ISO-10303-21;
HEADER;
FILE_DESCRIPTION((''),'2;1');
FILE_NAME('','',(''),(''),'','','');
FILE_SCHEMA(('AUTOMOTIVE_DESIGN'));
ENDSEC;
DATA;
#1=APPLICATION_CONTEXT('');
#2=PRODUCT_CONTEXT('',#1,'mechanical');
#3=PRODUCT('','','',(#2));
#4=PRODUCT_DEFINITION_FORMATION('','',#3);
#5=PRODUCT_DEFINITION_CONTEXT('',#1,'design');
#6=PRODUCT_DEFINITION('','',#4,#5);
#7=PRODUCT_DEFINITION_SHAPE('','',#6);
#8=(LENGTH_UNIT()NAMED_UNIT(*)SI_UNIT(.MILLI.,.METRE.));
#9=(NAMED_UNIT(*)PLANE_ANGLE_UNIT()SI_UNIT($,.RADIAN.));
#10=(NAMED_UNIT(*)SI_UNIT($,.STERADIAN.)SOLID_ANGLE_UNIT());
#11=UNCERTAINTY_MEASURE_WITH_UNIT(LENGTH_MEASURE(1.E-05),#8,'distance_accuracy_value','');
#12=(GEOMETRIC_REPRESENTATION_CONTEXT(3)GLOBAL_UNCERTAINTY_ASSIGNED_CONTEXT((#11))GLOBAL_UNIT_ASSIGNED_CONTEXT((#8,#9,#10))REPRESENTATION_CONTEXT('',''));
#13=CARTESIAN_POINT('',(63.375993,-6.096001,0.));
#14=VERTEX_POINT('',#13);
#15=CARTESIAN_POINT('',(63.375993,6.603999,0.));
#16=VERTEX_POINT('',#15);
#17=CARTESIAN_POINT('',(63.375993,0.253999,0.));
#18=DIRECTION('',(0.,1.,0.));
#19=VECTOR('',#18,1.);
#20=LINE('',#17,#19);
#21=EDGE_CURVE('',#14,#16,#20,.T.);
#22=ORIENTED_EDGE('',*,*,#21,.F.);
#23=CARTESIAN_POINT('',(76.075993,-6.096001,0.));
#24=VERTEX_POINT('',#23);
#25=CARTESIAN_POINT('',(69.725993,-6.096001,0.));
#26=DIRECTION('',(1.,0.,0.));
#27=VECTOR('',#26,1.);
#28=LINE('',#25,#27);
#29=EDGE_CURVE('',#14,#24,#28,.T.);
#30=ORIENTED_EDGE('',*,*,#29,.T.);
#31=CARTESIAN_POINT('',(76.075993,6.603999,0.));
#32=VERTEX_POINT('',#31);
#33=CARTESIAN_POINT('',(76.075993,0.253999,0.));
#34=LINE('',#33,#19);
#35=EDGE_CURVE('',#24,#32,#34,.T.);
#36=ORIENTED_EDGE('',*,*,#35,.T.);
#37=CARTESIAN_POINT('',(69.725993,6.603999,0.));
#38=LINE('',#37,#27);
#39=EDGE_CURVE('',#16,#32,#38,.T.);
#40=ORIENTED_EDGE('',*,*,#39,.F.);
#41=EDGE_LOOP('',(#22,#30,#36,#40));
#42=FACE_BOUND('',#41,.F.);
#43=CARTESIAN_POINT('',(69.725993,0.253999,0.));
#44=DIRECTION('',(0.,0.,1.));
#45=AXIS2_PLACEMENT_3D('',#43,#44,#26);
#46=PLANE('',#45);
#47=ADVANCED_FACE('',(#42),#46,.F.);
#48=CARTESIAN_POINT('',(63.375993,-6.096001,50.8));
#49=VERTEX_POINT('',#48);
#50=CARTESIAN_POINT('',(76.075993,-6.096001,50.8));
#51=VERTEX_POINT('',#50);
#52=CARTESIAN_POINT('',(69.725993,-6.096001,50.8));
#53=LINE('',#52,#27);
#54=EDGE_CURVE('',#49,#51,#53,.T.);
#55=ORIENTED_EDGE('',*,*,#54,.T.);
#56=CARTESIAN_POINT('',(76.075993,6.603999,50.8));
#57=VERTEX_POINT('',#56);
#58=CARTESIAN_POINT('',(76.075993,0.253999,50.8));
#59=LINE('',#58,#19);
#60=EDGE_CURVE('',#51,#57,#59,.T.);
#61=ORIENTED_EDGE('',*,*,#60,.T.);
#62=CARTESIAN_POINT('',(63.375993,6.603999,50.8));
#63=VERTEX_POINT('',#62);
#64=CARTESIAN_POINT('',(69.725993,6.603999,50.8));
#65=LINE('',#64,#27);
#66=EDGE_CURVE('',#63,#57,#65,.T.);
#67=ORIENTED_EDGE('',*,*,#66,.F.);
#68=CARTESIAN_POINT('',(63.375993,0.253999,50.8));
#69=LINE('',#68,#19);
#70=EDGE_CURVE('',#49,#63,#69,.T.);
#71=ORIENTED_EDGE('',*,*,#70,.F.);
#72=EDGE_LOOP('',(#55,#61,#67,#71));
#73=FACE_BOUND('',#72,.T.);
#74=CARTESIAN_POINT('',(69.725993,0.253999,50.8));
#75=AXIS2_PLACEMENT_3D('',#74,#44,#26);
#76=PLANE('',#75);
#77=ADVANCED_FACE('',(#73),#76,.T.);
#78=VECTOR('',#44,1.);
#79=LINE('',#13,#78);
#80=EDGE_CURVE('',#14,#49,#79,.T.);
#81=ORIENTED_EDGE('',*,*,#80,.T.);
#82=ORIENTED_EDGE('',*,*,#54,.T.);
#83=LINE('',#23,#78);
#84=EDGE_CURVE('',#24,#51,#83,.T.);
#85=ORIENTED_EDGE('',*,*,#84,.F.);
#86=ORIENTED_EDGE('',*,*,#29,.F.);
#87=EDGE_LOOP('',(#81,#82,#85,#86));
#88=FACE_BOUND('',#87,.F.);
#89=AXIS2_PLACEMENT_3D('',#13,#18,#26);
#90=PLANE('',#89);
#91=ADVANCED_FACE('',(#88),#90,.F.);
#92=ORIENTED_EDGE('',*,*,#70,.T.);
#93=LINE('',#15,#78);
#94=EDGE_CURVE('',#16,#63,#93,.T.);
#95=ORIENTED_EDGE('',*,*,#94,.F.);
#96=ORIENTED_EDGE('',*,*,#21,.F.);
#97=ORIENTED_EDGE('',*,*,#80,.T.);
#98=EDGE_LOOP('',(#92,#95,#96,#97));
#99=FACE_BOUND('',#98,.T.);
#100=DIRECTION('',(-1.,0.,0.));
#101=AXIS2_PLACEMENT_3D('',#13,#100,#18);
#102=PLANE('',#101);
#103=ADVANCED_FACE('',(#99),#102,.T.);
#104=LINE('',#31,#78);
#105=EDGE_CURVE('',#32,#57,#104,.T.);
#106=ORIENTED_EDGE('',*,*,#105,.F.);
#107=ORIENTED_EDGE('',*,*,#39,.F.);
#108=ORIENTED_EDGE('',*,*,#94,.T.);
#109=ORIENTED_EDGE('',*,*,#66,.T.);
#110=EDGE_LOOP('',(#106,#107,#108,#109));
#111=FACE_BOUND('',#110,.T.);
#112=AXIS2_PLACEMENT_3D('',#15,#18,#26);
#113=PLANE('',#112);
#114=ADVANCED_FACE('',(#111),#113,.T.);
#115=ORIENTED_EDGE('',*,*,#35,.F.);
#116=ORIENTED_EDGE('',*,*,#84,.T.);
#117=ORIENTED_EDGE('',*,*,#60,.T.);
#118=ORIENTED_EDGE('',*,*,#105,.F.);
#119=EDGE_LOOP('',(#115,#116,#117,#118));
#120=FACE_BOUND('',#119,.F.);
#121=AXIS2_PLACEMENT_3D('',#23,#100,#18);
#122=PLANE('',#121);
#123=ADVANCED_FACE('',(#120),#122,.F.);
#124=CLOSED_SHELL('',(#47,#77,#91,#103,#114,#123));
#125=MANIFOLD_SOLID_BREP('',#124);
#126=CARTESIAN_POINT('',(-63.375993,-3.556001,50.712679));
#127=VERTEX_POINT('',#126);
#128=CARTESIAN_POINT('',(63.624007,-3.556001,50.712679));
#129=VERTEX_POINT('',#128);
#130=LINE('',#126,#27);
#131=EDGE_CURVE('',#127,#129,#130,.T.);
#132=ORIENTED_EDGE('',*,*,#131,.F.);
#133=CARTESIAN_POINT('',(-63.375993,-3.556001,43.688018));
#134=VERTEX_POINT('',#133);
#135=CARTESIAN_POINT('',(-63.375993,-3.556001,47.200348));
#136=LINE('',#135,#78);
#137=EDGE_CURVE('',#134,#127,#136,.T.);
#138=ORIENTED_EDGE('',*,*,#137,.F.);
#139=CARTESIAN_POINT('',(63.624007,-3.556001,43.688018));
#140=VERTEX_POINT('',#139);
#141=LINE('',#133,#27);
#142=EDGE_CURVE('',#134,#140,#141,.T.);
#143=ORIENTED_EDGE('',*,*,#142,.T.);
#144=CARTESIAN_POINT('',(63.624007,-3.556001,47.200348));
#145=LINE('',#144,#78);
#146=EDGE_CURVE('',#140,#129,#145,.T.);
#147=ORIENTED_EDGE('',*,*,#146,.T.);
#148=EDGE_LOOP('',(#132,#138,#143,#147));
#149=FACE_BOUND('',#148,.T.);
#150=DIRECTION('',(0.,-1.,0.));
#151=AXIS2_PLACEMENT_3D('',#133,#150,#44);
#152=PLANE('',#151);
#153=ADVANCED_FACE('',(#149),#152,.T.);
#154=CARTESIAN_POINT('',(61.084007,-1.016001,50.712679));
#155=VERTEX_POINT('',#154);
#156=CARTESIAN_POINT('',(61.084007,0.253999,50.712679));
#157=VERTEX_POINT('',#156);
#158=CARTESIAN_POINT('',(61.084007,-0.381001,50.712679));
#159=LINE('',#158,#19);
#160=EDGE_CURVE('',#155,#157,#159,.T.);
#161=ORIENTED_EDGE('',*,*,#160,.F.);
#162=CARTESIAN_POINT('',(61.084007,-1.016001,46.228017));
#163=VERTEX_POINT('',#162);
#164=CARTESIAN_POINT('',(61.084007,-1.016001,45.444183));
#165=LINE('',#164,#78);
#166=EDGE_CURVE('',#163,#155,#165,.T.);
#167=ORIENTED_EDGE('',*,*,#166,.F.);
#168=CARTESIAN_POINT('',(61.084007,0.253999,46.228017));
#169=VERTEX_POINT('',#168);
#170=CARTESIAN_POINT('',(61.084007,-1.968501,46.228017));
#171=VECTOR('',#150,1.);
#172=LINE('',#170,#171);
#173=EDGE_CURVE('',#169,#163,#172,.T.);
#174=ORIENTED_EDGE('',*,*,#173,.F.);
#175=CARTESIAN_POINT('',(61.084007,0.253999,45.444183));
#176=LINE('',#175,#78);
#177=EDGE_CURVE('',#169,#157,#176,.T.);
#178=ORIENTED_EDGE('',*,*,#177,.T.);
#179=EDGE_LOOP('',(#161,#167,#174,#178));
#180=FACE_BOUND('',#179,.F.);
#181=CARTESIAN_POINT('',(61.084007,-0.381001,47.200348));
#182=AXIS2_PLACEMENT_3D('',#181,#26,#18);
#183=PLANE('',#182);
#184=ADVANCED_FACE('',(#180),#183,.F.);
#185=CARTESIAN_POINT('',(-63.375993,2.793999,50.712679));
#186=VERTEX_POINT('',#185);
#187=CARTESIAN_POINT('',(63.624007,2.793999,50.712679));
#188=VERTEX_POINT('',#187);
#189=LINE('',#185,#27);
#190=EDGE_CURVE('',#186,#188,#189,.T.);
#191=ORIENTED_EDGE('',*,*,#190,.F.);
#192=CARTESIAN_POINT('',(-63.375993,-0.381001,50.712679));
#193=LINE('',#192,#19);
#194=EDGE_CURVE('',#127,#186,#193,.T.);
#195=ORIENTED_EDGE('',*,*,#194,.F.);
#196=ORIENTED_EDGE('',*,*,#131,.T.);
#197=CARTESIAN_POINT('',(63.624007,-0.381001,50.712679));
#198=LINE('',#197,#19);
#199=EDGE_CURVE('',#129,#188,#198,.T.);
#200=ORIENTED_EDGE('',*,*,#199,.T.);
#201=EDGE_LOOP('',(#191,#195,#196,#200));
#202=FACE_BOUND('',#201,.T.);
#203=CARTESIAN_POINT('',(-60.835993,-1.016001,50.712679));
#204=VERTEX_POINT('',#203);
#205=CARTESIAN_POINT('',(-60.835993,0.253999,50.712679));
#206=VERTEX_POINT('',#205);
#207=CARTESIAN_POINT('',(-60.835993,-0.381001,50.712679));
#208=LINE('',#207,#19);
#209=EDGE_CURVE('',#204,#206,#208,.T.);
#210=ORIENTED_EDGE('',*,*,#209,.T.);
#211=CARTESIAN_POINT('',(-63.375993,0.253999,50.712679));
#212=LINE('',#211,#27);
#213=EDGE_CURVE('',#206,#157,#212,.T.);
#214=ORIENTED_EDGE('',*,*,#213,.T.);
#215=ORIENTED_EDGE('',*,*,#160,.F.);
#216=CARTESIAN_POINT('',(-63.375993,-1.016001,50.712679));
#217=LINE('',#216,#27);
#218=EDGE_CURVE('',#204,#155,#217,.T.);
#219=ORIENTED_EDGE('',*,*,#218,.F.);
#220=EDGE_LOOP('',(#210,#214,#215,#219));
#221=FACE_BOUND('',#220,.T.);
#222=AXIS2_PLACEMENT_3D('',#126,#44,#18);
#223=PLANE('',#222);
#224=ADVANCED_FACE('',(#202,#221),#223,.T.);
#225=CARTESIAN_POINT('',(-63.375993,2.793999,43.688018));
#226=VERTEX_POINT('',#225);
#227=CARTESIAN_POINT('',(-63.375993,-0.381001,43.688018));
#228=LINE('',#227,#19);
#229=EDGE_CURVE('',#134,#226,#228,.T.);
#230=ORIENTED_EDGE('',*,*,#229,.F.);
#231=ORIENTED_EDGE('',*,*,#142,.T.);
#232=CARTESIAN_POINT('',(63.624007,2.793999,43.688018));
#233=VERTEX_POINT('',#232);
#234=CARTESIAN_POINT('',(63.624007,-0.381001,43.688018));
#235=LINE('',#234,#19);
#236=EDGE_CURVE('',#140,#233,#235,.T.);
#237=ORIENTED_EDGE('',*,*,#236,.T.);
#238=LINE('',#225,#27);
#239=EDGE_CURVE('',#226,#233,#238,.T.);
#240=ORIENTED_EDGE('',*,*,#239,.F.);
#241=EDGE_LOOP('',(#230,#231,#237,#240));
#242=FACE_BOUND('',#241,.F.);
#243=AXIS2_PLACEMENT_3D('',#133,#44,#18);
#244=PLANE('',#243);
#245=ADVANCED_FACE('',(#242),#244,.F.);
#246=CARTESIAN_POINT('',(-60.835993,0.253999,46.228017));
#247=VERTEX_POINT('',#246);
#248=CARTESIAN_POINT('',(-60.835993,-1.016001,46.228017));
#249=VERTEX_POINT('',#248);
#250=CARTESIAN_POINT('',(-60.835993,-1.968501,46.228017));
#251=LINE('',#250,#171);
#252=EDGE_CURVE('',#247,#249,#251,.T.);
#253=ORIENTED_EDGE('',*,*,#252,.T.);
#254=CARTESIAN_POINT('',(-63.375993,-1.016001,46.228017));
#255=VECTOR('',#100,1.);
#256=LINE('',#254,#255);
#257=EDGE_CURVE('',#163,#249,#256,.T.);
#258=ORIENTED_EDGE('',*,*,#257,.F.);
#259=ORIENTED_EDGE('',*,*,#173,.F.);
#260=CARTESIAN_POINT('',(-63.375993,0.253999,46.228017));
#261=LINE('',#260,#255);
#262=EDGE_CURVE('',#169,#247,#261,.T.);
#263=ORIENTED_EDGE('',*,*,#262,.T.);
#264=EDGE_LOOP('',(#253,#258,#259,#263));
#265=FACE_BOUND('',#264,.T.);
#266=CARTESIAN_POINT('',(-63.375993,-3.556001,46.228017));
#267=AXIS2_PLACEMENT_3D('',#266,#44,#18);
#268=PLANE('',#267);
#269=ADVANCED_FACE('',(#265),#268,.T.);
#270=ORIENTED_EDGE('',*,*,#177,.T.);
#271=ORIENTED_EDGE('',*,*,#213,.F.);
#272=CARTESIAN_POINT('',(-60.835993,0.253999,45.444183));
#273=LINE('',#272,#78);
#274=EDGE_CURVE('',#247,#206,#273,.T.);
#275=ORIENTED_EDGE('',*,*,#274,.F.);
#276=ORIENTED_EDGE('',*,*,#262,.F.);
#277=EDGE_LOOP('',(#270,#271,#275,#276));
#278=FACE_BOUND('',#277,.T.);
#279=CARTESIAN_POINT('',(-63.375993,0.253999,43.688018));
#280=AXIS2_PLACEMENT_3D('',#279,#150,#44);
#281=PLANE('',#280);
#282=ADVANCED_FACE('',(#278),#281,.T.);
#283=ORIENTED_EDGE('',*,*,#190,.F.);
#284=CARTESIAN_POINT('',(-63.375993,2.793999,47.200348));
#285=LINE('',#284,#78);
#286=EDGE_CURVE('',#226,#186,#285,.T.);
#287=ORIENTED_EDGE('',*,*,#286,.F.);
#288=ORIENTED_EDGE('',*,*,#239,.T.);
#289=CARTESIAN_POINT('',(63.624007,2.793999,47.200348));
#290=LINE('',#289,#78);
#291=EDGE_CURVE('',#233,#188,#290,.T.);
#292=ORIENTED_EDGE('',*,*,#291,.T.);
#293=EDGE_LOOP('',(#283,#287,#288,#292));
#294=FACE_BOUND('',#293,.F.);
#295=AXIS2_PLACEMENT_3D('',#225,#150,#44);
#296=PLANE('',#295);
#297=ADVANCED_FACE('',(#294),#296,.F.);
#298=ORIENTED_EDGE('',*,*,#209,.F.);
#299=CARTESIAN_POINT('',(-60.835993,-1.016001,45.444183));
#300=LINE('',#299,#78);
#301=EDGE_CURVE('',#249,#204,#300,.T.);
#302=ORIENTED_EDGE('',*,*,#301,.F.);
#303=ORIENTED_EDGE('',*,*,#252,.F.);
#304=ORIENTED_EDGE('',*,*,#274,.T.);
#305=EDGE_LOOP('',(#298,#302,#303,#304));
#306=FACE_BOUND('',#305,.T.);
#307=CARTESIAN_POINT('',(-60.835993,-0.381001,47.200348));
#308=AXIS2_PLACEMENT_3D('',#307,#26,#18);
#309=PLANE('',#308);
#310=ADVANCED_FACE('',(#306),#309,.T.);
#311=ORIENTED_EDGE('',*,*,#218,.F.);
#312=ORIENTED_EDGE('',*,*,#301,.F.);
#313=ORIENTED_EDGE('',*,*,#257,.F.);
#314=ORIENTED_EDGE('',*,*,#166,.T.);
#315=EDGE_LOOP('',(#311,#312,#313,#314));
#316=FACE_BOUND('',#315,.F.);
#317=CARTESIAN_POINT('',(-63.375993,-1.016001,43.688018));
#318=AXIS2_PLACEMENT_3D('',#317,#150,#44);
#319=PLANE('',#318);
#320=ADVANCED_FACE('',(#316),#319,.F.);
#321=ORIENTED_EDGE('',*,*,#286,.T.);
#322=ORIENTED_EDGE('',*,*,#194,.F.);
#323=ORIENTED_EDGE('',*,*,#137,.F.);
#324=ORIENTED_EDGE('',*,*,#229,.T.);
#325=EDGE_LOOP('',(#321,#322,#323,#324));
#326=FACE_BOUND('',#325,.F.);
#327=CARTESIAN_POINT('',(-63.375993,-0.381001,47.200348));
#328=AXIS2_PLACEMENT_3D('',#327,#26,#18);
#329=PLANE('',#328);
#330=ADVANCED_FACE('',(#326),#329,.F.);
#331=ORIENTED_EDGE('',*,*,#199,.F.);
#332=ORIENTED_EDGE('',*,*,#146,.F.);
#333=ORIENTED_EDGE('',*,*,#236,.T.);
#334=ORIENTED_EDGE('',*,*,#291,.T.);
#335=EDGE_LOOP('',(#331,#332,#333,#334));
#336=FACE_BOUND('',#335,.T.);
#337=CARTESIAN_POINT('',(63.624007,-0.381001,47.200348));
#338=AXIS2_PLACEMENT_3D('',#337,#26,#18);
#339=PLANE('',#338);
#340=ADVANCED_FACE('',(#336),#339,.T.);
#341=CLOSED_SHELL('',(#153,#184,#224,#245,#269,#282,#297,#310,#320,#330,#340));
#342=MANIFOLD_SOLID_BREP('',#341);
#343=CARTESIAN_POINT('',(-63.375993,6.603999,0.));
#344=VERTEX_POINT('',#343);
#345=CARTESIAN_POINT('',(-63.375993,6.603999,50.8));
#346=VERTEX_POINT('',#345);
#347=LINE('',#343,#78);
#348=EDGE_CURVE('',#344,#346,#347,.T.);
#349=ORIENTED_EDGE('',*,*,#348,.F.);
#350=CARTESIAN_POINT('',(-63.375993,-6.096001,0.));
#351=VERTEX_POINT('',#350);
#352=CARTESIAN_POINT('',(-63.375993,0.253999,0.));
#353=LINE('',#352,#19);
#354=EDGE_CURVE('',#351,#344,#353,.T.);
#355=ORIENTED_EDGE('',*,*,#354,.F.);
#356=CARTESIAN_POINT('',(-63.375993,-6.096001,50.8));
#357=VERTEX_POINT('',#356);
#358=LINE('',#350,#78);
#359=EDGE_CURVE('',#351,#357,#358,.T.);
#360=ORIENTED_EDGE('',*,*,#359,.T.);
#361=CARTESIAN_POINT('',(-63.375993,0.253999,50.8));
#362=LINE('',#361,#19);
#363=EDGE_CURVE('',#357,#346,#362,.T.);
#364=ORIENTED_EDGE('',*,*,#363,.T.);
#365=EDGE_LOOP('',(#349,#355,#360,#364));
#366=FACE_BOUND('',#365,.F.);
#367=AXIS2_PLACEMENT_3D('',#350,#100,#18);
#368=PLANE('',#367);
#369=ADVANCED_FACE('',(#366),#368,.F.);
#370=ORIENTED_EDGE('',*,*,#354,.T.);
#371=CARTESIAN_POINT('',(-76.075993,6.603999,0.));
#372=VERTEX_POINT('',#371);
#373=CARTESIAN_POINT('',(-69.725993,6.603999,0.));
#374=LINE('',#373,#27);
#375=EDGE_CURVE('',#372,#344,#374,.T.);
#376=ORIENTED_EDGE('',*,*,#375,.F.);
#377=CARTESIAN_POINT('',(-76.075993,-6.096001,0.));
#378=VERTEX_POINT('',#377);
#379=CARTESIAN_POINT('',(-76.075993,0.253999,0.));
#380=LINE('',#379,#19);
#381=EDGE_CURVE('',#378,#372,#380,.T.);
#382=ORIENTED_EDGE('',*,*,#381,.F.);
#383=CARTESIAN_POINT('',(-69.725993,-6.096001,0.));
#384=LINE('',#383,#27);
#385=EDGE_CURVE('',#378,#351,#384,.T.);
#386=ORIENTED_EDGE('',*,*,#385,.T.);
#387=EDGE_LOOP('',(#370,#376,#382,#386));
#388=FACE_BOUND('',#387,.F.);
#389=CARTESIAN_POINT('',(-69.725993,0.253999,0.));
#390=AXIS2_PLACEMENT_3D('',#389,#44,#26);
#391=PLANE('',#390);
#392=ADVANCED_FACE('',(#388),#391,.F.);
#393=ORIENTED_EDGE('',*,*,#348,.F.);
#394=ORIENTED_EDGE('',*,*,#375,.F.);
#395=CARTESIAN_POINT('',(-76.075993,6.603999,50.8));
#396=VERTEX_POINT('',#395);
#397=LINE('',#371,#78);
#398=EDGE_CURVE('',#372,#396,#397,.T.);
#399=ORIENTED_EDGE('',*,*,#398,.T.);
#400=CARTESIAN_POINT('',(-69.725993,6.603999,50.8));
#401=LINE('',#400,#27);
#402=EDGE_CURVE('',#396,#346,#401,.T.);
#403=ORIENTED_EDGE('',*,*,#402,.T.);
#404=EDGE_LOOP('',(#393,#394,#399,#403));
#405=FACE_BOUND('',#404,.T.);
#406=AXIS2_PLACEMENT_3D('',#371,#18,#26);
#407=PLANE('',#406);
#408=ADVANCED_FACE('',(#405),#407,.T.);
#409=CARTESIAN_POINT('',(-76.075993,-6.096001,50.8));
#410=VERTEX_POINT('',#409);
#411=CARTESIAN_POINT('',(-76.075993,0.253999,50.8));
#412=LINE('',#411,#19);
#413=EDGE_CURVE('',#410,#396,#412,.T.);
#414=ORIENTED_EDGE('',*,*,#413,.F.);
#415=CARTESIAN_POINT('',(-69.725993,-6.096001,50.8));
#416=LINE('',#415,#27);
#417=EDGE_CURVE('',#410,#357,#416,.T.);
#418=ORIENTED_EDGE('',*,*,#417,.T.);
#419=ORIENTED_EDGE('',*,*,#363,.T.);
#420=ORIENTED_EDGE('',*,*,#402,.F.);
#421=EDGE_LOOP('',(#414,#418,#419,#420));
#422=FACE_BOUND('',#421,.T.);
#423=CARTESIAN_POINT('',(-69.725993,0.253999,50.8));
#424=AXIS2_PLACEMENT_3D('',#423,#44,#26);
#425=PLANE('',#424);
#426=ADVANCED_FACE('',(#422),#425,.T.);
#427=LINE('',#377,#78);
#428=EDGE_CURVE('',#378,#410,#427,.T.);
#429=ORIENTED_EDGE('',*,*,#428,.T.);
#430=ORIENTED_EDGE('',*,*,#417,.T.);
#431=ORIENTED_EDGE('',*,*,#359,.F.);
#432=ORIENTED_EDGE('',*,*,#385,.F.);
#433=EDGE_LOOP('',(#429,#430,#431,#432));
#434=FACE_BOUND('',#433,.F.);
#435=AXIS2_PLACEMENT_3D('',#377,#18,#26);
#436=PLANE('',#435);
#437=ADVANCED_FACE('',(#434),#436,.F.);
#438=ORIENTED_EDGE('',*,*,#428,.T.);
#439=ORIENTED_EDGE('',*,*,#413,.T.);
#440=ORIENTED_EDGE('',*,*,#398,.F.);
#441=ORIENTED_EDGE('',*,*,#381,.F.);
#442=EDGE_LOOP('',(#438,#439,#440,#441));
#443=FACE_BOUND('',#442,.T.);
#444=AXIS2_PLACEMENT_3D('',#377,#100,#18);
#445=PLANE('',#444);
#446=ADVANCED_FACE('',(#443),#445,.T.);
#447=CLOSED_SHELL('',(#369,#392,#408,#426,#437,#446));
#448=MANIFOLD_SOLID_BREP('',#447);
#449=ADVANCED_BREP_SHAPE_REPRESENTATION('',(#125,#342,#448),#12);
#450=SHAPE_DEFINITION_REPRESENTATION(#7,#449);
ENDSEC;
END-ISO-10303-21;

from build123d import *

# Parameters (mm, degrees)
F0_W     = 12.7
F0_H     = 12.7
F1_DEPTH = 50.8
F2_W     = 6.35
F2_H     = 7.024661
F3_DEPTH = 127
F4_T     = -2.54


with BuildPart() as f1:
    # F0 (on Top) → F1 (new body)
    with BuildSketch(Plane.XY):
        with Locations((-69.725993, 0.253999)):
            Rectangle(F0_W, F0_H)
        with Locations((69.725993, 0.253999)):
            Rectangle(F0_W, F0_H)
    extrude(amount=F1_DEPTH)


with BuildPart() as f3:
    # F2 (on face) → F3 (new body)
    with BuildSketch(Plane.YZ.offset(-63.375993)):
        with Locations((-0.381001, 47.200348)):
            Rectangle(F2_W, F2_H)
    extrude(amount=F3_DEPTH)

    # F4
    f4_openings = [f3.faces().sort_by_distance(p)[0] for p in [
        (0.124007, -0.381001, 50.712679),
    ]]
    offset(amount=F4_T, openings=f4_openings)


solid = Compound([f1.part, f3.part])
